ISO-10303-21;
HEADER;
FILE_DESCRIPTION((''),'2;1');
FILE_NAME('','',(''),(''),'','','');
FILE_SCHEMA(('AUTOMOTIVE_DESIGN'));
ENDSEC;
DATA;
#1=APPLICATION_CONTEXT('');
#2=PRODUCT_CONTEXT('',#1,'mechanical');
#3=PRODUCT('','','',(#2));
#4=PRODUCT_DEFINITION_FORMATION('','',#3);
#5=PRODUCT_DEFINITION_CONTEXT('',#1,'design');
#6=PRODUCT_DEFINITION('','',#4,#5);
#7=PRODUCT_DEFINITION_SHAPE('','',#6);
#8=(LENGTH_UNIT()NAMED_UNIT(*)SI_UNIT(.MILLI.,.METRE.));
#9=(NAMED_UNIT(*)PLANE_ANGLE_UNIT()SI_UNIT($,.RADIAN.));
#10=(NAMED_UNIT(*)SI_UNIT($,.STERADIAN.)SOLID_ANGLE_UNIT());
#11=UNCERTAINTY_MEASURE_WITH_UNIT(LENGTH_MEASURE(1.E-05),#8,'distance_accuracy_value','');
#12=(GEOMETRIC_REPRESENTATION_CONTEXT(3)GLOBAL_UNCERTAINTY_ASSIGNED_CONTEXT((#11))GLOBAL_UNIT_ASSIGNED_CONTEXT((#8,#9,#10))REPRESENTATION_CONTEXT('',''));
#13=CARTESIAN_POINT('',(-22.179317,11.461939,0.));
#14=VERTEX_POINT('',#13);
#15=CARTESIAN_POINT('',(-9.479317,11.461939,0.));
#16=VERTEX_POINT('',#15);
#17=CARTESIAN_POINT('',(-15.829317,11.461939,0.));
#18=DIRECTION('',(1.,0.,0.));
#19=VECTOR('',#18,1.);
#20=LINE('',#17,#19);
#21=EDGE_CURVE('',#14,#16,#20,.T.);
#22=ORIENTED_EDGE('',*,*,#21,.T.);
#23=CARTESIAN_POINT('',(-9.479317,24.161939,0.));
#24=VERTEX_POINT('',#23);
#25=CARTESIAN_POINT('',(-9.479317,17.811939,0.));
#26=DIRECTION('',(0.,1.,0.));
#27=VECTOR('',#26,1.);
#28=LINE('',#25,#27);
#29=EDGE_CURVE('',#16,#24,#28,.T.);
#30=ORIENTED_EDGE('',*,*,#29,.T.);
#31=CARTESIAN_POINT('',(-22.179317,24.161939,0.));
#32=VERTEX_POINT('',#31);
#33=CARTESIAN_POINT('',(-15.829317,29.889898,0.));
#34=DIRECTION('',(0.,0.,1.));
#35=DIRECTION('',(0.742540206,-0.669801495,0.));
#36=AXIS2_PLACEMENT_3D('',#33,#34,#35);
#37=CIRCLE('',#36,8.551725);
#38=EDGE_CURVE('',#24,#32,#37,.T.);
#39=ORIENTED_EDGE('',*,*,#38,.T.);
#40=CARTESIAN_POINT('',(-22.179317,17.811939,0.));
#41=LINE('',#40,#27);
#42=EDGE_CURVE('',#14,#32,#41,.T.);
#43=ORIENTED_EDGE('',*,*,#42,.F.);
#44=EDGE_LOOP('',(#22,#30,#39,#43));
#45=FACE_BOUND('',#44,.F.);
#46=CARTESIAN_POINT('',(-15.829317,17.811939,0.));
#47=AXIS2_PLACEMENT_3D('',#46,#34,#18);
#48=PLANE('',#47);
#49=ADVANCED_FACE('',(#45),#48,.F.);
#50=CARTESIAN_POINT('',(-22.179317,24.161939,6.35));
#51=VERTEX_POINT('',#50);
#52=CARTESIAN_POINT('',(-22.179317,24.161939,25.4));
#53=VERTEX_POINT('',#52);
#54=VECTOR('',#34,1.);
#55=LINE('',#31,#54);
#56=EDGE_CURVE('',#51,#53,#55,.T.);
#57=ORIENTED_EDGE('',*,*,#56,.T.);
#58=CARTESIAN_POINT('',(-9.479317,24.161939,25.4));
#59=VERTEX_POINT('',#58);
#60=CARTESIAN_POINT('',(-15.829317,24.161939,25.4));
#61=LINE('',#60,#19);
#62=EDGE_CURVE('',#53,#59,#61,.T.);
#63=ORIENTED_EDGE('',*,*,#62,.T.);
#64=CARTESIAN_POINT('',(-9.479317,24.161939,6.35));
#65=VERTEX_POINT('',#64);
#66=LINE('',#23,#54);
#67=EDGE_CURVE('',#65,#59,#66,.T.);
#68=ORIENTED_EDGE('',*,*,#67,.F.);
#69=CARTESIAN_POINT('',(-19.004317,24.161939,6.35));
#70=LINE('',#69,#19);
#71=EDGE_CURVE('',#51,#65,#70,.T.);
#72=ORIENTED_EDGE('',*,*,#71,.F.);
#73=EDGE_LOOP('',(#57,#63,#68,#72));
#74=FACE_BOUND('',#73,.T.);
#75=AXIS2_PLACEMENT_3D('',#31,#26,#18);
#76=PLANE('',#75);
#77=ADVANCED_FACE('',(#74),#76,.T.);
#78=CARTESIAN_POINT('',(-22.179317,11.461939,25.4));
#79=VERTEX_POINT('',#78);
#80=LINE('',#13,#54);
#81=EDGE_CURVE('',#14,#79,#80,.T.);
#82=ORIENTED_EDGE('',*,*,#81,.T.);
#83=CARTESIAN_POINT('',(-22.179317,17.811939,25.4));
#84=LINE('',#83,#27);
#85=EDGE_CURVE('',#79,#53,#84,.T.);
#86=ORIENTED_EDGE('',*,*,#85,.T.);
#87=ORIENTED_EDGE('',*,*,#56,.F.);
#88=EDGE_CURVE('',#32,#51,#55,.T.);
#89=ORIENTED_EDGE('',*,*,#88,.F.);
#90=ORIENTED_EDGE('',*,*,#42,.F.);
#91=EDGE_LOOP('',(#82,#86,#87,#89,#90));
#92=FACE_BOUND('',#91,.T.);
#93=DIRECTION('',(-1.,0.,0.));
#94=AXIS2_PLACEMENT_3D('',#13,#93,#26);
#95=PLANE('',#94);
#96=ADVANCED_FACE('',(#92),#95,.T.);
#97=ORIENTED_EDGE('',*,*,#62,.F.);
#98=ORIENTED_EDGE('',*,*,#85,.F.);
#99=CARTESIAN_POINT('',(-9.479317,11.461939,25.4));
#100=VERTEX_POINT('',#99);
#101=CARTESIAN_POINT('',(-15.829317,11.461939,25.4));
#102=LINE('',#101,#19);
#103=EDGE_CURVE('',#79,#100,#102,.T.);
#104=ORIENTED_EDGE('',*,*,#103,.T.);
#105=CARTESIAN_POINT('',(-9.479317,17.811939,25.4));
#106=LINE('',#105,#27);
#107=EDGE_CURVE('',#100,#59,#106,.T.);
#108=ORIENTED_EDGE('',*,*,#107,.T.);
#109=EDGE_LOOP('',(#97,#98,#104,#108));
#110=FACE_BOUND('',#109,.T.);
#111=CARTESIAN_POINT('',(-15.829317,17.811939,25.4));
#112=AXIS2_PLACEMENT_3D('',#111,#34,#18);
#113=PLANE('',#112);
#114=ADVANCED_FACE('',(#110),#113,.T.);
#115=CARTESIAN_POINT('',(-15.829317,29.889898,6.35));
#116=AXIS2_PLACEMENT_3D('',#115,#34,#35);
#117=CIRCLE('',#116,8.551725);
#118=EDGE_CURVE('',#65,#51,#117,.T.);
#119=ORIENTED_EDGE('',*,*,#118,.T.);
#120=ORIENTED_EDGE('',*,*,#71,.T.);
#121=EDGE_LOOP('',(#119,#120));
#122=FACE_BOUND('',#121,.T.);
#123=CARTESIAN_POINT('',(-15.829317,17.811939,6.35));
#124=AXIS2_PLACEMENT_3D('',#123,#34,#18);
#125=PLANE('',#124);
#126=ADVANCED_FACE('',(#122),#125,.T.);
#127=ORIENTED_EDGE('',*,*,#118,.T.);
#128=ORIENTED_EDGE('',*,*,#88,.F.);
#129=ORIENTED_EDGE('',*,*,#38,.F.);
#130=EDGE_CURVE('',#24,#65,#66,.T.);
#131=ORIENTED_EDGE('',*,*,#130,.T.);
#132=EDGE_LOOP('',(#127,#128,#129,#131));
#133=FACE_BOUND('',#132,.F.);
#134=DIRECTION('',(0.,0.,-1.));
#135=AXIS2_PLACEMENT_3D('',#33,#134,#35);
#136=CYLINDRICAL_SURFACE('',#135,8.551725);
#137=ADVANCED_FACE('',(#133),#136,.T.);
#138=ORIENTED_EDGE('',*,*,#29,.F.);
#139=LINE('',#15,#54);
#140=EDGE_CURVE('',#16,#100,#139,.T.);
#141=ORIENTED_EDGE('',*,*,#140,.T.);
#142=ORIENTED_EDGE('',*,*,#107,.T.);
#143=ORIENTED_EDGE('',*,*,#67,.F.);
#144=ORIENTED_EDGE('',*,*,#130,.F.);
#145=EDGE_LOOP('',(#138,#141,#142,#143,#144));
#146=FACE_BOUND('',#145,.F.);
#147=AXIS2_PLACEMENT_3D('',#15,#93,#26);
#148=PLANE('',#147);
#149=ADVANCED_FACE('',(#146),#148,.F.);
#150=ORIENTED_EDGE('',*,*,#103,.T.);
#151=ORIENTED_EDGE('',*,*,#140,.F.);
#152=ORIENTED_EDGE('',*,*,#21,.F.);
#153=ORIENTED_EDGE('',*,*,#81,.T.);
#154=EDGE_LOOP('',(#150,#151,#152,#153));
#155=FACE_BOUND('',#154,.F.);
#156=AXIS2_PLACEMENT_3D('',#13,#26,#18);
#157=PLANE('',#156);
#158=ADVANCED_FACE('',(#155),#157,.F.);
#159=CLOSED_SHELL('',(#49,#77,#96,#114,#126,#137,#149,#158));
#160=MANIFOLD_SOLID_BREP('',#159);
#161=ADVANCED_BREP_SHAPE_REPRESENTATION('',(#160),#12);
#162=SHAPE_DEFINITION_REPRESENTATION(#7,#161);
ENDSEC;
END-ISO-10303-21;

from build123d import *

# Parameters (mm, degrees)
F0_W     = 12.7
F0_H     = 12.7
F1_DEPTH = 25.4
F2_DEPTH = 6.35


with BuildPart() as f1:
    # F0 (on Top) → F1 (new body)
    with BuildSketch(Plane.XY):
        with Locations((-15.829317, 17.811939)):
            Rectangle(F0_W, F0_H)
    extrude(amount=F1_DEPTH)

    # F0 (on Top) → F2 (join)
    with BuildSketch(Plane.XY):
        with Locations((-15.829317, 17.811939)):
            Rectangle(F0_W, F0_H)
        with BuildLine():
            ThreePointArc((-9.479317, 24.161939), (-15.829317, 38.441623), (-22.179317, 24.161939))
            Line((-22.179317, 24.161939), (-9.479317, 24.161939))
        make_face()
    extrude(amount=F2_DEPTH)


solid = f1.part
